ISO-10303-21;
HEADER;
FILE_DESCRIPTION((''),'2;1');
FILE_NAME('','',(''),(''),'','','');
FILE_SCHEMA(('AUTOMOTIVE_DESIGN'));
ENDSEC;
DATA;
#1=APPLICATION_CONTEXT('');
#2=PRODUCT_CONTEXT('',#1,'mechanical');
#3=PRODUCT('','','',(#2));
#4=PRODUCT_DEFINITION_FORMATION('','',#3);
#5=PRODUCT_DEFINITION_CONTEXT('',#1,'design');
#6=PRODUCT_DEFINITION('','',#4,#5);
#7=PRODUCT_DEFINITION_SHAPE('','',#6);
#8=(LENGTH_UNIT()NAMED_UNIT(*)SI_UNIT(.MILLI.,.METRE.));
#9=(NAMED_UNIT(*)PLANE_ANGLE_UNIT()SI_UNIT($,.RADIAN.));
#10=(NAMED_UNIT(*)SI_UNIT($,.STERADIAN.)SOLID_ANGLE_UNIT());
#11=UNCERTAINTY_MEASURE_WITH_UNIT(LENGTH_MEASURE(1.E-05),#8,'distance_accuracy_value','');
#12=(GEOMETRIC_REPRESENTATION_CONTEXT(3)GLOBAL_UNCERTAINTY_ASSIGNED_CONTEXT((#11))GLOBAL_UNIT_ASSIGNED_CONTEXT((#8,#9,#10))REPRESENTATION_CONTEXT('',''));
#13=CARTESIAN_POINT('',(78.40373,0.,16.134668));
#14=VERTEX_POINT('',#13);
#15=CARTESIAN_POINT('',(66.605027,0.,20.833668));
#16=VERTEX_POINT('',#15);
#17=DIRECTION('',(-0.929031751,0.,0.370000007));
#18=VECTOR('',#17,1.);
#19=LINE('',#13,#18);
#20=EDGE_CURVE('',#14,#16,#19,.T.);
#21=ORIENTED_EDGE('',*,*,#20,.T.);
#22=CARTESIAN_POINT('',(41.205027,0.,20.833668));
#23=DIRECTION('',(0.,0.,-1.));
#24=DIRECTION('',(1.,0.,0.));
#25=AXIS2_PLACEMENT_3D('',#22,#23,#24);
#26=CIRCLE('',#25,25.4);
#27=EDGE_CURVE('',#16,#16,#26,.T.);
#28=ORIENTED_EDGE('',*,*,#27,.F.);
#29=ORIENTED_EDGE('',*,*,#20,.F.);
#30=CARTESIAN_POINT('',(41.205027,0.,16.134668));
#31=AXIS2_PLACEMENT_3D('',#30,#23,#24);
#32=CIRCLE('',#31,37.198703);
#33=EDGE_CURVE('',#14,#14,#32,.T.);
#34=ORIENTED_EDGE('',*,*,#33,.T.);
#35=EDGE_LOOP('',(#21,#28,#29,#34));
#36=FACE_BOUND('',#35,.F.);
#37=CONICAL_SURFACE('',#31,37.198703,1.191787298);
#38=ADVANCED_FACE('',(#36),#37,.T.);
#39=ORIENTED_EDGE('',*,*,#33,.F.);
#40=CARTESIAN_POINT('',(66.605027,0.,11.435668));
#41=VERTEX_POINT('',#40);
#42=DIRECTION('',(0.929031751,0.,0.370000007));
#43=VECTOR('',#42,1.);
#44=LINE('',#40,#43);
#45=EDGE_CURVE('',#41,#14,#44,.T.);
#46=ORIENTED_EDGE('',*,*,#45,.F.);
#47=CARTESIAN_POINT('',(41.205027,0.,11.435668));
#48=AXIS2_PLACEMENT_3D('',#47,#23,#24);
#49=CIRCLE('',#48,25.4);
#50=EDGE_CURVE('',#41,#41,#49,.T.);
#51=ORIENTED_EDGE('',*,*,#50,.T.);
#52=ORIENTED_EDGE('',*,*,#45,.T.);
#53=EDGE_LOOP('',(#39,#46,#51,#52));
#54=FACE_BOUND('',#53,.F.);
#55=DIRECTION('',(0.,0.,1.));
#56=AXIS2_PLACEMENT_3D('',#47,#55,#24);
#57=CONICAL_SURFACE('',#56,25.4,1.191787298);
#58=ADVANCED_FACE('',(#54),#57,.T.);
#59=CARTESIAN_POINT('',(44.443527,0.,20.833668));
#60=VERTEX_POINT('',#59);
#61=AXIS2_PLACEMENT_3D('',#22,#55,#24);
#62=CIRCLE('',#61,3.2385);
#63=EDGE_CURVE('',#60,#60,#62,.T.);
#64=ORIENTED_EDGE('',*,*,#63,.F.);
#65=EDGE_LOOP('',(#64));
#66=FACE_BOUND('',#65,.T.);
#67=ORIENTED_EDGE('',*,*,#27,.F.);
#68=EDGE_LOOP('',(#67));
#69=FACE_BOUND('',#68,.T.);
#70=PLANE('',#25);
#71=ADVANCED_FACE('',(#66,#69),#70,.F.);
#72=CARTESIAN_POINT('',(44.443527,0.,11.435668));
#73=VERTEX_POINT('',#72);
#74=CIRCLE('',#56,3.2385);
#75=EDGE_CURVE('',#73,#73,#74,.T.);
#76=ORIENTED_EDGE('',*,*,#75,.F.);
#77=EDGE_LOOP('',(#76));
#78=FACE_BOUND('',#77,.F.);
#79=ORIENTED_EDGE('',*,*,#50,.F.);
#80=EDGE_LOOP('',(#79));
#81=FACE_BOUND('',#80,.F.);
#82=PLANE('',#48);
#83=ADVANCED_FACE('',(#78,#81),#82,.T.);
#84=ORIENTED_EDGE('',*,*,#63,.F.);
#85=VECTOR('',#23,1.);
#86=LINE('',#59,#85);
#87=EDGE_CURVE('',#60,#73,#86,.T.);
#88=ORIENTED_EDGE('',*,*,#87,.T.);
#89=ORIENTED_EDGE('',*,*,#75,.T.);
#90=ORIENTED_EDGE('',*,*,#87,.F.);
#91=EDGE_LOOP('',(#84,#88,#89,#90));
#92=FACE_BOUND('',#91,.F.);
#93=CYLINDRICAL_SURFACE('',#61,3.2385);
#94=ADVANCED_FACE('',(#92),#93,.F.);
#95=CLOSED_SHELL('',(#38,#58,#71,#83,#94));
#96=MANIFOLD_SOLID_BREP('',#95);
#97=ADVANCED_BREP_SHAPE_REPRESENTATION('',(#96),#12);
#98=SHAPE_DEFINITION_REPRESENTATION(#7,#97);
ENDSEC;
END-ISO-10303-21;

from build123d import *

# Parameters (mm, degrees)
F0_W     = 25.4
F0_H     = 9.398
F2_R     = 3.2385
F3_DEPTH = 46.99


with BuildPart() as f1:
    # F0 (on Front) → F1 (revolve)
    with BuildSketch(Plane.XZ):
        with Locations((53.905027, 16.134668)):
            Rectangle(F0_W, F0_H)
        Polygon((78.40373, 16.134668), (66.605027, 20.833668), (66.605027, 11.435668), align=None)
    revolve(axis=Axis((41.205027, 0, 16.134668), (0, 0, -1)))

    # F2 (on face) → F3 (cut)
    with BuildSketch(Plane.XY.offset(20.833668)):
        with Locations((41.205027, 0)):
            Circle(F2_R)
    extrude(amount=-F3_DEPTH, mode=Mode.SUBTRACT)


solid = f1.part
